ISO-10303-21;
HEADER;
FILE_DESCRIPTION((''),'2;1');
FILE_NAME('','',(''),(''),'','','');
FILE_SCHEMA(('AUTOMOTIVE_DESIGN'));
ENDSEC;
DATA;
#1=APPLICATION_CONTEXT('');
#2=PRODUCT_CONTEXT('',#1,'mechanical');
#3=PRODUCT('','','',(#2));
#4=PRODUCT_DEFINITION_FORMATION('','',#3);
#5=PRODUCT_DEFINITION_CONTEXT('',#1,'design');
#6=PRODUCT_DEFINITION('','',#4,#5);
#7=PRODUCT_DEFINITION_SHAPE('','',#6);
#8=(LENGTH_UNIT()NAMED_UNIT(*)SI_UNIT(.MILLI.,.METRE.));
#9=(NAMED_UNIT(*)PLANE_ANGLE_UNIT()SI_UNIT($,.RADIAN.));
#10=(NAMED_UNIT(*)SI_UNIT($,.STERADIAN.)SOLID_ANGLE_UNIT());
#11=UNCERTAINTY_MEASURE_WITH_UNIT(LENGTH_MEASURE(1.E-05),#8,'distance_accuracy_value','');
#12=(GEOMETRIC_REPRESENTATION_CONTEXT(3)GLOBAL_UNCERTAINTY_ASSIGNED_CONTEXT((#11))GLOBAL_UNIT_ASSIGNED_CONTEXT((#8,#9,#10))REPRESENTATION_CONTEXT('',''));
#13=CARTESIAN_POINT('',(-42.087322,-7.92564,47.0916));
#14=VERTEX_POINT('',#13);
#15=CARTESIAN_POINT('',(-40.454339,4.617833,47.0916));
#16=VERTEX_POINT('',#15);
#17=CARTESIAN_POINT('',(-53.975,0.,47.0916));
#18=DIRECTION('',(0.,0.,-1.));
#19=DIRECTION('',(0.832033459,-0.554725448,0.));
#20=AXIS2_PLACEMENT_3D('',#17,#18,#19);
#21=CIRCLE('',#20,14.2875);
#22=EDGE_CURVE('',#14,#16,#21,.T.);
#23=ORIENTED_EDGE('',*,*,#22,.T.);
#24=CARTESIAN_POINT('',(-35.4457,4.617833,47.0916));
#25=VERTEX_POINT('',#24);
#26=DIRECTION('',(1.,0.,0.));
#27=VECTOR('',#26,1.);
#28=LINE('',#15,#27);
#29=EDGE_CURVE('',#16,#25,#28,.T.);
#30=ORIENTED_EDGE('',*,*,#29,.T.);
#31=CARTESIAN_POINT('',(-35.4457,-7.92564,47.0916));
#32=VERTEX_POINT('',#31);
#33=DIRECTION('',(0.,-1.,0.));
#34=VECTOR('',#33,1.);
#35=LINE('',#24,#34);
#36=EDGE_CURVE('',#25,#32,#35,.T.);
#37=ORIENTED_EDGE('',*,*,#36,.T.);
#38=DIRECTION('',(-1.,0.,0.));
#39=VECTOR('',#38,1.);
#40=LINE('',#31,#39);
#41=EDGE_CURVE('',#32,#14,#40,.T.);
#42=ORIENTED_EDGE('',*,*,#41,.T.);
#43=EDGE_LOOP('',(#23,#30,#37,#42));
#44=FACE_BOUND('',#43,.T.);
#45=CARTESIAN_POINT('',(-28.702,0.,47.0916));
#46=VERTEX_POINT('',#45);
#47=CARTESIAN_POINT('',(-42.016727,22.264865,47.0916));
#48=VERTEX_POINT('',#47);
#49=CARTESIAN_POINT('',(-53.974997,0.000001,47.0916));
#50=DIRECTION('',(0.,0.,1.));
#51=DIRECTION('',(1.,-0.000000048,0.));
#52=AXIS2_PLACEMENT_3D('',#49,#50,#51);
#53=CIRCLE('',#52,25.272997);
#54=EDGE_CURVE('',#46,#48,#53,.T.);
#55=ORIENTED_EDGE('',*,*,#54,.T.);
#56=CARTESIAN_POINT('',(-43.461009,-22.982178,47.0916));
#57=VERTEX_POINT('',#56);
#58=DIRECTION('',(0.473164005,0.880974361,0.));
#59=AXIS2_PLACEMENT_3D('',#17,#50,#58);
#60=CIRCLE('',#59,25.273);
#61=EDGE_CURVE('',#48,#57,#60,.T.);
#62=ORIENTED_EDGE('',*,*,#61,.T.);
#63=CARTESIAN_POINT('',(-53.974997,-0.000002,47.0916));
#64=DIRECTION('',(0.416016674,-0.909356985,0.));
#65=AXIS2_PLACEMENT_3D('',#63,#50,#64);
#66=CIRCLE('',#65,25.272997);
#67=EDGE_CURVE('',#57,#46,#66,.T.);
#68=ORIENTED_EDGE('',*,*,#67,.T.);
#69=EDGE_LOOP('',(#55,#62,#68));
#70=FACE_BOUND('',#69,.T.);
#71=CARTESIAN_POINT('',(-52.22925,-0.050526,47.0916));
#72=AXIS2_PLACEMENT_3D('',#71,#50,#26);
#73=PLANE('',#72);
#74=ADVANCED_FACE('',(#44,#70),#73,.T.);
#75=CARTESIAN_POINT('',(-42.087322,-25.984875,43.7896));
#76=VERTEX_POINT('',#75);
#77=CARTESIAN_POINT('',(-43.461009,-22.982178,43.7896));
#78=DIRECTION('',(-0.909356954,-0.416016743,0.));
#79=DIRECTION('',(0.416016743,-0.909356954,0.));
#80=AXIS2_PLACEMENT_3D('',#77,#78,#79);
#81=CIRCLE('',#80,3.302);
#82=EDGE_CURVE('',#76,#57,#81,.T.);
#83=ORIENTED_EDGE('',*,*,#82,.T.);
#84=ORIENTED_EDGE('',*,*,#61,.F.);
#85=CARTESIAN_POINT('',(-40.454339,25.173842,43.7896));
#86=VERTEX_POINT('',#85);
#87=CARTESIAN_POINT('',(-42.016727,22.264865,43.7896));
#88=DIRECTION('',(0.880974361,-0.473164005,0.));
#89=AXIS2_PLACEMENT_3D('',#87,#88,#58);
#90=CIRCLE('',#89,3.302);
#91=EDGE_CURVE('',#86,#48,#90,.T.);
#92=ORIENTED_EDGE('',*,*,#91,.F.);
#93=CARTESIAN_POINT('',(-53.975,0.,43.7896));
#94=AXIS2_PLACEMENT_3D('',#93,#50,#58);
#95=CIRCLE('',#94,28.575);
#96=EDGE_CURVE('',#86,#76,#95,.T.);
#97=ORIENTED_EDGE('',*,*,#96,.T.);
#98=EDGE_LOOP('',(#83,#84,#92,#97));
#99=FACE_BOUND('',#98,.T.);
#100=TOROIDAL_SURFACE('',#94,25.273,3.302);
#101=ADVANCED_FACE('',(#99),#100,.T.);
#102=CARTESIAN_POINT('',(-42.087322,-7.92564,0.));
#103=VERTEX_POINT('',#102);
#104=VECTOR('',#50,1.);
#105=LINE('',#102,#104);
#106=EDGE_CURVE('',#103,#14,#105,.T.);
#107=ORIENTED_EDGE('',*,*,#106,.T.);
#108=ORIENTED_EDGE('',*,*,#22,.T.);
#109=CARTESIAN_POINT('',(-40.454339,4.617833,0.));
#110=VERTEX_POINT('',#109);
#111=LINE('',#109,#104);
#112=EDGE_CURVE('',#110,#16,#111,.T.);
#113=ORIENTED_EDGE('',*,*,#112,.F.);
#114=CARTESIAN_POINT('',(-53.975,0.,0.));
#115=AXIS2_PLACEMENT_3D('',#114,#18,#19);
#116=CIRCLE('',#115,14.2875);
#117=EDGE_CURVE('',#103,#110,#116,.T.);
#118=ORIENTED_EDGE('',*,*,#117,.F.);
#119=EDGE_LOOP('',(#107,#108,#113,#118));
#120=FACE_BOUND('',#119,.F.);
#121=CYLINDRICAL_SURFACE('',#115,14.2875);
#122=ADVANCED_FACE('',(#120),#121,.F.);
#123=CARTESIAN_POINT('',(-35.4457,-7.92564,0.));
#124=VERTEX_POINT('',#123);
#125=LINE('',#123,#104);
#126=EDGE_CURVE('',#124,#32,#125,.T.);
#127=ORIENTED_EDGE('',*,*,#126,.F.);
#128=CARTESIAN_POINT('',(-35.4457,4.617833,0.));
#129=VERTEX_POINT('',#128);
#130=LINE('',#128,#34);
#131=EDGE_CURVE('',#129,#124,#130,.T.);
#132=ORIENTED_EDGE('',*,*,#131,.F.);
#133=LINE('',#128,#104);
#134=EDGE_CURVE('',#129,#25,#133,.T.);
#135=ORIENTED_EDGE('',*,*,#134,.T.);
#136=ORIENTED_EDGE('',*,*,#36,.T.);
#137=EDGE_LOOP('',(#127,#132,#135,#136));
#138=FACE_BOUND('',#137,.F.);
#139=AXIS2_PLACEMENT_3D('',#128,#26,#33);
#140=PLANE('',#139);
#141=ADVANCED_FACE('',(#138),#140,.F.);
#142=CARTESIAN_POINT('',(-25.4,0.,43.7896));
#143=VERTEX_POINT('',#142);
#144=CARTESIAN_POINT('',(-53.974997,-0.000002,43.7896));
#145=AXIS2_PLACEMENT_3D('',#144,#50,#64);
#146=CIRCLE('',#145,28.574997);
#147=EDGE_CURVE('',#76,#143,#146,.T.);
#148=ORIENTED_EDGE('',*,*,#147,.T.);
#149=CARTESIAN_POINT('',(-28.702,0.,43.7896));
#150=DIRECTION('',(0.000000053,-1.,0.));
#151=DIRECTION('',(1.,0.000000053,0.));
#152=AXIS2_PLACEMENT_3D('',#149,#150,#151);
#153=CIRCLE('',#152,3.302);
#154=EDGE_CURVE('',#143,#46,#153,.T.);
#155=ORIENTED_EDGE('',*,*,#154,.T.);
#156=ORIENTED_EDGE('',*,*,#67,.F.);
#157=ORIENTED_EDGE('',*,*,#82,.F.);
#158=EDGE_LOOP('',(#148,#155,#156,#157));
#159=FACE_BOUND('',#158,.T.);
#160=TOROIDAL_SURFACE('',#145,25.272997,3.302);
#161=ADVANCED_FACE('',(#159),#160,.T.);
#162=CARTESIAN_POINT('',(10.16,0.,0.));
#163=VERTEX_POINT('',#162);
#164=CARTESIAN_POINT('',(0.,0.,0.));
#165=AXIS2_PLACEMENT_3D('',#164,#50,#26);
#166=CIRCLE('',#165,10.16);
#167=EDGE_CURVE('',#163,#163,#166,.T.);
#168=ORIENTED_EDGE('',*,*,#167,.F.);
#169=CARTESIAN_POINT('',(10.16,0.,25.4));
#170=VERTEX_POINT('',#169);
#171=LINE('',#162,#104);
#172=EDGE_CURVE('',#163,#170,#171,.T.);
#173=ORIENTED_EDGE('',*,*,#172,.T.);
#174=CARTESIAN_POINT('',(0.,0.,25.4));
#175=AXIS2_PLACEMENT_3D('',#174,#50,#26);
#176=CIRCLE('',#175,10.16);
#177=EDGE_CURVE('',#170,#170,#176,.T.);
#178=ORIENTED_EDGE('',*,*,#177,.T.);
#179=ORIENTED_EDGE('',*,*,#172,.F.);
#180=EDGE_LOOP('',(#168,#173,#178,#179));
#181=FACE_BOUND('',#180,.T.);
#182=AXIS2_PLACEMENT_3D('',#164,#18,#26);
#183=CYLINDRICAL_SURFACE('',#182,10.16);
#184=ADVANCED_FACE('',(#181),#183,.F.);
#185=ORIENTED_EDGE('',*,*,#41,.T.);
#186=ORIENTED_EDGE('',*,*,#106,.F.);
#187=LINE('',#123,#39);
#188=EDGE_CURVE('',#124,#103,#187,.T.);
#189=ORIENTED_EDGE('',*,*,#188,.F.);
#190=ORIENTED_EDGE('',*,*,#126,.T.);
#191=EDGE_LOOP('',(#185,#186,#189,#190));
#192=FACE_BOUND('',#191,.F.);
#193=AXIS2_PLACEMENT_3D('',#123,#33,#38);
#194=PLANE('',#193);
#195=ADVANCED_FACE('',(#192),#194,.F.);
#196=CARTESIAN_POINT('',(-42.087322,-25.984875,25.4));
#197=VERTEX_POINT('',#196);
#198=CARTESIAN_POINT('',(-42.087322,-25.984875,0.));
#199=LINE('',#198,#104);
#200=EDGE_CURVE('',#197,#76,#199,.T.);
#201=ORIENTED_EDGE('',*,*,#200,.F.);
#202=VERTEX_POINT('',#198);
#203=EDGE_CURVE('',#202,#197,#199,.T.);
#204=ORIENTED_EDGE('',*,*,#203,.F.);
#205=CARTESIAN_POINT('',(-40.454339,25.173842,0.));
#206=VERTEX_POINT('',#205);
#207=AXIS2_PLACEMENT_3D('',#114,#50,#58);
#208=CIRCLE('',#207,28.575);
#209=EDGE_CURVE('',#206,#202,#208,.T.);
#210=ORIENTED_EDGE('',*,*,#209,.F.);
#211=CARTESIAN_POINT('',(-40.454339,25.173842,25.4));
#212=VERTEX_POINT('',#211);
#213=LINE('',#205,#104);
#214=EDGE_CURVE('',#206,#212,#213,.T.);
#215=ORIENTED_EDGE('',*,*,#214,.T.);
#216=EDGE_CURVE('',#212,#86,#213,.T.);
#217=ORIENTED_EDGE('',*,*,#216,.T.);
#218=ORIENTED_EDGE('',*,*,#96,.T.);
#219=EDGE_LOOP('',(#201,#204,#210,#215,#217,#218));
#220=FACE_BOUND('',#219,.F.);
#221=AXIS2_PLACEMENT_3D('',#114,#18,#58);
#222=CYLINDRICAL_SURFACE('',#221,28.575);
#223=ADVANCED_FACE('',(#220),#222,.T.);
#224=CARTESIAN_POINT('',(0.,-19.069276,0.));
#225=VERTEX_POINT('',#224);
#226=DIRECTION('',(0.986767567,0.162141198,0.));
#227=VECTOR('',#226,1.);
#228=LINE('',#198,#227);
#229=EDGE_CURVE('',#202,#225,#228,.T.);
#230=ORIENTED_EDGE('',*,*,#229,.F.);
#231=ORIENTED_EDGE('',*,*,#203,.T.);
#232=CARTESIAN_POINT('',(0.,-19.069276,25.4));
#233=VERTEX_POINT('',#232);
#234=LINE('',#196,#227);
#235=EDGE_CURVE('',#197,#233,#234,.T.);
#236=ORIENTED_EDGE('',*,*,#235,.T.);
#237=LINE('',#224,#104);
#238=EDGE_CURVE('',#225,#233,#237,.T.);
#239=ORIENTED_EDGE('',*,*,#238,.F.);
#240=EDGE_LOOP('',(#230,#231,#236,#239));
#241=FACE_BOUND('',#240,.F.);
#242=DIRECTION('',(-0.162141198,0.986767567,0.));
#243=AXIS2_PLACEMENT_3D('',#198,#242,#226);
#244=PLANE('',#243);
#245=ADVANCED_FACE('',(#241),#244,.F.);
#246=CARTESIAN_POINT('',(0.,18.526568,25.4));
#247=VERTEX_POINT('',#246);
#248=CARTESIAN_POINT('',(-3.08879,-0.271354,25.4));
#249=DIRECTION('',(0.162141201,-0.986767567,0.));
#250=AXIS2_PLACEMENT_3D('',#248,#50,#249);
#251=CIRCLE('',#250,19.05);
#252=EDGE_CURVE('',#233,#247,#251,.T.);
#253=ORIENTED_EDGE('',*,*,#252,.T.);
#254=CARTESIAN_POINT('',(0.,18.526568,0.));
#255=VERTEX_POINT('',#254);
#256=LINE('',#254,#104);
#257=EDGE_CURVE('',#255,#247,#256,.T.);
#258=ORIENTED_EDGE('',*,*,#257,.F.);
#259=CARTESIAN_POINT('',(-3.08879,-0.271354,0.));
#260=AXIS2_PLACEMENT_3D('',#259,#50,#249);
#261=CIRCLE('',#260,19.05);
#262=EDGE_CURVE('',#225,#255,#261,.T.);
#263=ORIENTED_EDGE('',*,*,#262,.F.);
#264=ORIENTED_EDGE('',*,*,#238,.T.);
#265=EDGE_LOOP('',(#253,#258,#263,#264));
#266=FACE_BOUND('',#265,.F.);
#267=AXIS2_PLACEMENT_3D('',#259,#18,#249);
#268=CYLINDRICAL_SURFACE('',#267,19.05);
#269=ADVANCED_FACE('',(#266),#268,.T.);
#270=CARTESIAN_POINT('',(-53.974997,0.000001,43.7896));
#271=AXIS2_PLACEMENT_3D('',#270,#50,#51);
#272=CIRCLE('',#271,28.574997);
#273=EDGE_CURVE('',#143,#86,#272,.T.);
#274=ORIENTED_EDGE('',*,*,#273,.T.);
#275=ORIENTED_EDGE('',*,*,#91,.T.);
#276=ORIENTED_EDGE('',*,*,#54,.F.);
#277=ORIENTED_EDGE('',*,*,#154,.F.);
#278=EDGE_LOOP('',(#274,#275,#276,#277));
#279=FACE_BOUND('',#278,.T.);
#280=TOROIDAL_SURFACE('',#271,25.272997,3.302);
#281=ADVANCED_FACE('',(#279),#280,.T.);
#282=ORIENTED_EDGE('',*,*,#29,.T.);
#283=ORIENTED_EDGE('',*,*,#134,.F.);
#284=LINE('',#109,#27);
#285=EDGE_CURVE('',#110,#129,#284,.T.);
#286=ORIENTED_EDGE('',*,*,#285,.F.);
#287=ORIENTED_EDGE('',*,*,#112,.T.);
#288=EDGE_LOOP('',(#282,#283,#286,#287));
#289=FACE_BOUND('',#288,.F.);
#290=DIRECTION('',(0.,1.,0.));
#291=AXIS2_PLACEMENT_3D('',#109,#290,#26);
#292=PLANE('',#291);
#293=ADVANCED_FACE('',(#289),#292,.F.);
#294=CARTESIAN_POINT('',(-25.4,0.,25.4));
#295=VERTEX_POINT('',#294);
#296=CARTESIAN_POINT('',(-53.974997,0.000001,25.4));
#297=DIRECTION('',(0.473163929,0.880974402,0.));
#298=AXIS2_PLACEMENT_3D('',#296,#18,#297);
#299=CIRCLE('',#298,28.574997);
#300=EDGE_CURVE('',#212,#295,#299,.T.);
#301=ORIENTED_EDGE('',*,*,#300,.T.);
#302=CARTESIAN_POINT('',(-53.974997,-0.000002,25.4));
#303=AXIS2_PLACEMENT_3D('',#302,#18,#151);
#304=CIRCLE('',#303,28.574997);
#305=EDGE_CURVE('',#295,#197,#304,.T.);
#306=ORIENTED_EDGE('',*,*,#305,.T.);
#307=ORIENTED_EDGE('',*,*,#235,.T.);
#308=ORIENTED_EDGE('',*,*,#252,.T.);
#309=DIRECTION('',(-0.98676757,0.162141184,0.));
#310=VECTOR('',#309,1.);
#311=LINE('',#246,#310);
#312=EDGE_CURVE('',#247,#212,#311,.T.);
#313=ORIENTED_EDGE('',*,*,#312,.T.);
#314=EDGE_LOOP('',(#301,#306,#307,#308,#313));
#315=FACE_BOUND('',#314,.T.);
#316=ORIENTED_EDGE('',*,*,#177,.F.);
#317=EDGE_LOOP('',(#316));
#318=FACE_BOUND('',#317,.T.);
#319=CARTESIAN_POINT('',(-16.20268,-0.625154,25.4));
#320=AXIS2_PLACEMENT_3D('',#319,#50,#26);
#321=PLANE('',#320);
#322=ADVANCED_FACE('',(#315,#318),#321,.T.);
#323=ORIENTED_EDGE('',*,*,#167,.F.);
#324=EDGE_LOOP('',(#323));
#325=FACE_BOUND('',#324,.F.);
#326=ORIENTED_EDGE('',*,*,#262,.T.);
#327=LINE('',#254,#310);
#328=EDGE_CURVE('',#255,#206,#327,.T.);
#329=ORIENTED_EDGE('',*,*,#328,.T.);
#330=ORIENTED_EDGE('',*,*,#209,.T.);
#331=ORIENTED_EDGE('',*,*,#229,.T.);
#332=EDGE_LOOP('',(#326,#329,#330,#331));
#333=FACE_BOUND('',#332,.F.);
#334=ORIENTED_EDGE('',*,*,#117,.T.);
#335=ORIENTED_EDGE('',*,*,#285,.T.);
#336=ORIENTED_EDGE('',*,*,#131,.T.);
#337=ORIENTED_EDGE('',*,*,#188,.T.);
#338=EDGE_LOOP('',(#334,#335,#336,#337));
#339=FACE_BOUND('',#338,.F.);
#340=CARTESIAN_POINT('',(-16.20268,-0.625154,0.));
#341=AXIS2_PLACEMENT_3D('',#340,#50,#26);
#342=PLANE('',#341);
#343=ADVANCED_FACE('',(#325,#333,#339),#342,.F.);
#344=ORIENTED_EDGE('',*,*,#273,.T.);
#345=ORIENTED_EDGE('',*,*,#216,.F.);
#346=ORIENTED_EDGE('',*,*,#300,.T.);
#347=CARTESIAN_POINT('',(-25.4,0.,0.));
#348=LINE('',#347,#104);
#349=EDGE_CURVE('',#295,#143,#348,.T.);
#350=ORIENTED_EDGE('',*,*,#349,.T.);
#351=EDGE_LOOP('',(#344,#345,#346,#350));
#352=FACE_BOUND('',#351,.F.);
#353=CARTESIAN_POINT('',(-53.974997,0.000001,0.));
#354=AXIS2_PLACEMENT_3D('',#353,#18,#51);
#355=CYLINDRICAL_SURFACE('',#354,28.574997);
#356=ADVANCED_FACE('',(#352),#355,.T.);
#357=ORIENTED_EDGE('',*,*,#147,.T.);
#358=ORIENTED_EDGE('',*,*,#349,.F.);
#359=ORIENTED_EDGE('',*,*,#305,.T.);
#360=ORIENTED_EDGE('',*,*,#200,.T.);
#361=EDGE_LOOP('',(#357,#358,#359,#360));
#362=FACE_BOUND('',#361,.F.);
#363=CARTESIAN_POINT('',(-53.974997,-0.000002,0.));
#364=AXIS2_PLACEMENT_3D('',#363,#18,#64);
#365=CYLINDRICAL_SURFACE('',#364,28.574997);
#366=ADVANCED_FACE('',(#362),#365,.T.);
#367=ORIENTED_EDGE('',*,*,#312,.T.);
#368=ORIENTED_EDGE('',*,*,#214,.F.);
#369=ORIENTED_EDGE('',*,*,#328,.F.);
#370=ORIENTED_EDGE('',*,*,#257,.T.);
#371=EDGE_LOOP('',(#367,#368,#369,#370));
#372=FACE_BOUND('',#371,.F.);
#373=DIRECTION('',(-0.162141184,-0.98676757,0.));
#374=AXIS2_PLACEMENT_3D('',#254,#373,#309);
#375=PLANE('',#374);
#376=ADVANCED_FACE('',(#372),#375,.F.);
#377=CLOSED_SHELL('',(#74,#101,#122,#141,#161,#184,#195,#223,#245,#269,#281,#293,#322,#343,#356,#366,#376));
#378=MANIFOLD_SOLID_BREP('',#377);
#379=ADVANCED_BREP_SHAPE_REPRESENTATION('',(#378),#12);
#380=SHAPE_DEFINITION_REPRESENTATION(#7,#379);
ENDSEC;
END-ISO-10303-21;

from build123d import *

# Parameters (mm, degrees)
F1_DEPTH = 47.0916
F0_R     = 10.16
F2_DEPTH = 25.4
F3_R     = 3.302


with BuildPart() as f1:
    # F0 (on Top) → F1 (new body)
    with BuildSketch(Plane.XY):
        with BuildLine():
            ThreePointArc((-42.087322, -25.984875), (-29.931071, -15.440859), (-25.4, 0))
            ThreePointArc((-25.4, 0), (-29.45069, 14.665908), (-40.454339, 25.173842))
            ThreePointArc((-40.454339, 25.173842), (-82.535454, 0.911648), (-42.087322, -25.984875))
        make_face()
        with BuildLine():
            ThreePointArc((-42.087322, -7.92564), (-68.142943, 1.844467), (-40.454339, 4.617833))
            Line((-40.454339, 4.617833), (-35.4457, 4.617833))
            Line((-35.4457, 4.617833), (-35.4457, -7.92564))
            Line((-35.4457, -7.92564), (-42.087322, -7.92564))
        make_face(mode=Mode.SUBTRACT)
    extrude(amount=F1_DEPTH)

    # F0 (on Top) → F2 (join)
    with BuildSketch(Plane.XY):
        with BuildLine():
            ThreePointArc((-40.454339, 25.173842), (-29.45069, 14.665908), (-25.4, 0))
            ThreePointArc((-25.4, 0), (-29.931071, -15.440859), (-42.087322, -25.984875))
            Line((-42.087322, -25.984875), (0, -19.069276))
            ThreePointArc((0, -19.069276), (15.96121, -0.271354), (0, 18.526568))
            Line((0, 18.526568), (-40.454339, 25.173842))
        make_face()
        Circle(F0_R, mode=Mode.SUBTRACT)
    extrude(amount=F2_DEPTH)

    # F3
    f3_edges = [f1.edges().sort_by_distance(p)[0] for p in [
        (-65.862678, 25.984875, 47.0916),
    ]]
    fillet(f3_edges, radius=F3_R)


solid = f1.part
